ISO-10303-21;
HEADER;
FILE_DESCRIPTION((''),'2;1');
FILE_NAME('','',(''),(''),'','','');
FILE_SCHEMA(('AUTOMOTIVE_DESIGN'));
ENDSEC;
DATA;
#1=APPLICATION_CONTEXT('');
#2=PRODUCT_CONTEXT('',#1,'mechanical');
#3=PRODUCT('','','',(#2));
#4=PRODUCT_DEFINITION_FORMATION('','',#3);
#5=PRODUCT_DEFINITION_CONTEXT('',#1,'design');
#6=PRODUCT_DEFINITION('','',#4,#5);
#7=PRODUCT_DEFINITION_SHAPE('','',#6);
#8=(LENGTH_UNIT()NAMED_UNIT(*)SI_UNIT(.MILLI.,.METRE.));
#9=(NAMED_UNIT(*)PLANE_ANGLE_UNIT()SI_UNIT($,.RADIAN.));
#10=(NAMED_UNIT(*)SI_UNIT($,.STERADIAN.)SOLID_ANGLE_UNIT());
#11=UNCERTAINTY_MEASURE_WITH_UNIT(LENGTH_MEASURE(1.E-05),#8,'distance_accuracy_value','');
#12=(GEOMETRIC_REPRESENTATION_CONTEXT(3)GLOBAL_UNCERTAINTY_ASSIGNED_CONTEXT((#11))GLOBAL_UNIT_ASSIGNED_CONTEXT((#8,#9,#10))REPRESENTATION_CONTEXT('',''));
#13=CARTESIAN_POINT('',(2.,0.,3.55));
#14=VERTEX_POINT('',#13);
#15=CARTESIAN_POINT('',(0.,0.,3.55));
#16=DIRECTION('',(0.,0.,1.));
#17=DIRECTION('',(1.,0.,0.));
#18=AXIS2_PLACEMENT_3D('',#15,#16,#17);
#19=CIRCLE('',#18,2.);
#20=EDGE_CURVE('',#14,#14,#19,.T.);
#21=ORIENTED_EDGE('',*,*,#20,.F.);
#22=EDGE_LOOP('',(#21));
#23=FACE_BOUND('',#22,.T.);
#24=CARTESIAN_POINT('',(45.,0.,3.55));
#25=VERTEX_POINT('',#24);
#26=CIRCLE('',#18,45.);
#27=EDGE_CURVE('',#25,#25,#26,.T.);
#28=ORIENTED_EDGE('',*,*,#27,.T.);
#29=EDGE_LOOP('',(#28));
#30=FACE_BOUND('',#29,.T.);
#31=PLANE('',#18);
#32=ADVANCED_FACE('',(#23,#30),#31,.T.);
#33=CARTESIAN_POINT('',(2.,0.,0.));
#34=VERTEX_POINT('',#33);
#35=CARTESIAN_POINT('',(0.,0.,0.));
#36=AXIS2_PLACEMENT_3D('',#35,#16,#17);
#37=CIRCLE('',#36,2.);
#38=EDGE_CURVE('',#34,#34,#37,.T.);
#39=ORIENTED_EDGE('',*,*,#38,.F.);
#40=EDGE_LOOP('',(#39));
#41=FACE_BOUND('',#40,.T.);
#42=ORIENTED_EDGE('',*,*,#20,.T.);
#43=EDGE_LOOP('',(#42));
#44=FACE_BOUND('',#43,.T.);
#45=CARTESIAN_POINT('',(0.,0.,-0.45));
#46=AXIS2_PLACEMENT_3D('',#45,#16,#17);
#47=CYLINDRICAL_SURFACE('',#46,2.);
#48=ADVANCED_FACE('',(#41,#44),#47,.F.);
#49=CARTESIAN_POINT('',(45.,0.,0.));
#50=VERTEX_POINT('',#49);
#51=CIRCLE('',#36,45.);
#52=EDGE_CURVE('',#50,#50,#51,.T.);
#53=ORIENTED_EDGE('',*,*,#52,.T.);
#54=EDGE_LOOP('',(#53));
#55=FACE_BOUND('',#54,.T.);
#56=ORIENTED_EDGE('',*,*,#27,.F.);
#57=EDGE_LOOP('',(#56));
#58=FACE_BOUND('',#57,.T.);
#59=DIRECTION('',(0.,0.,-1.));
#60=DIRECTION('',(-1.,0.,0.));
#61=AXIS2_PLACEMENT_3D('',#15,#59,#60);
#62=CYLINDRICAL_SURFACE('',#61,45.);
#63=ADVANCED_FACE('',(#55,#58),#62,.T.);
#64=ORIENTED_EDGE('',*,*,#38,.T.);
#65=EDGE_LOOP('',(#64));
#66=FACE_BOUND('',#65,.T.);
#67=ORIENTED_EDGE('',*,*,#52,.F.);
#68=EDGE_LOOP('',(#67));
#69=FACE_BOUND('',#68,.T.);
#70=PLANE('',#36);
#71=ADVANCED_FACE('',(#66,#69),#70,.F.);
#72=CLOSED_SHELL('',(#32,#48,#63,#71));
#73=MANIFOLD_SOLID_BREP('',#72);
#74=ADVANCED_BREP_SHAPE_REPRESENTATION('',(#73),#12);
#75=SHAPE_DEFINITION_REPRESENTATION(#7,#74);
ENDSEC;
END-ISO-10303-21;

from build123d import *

# Parameters (mm, degrees)
SKETCH1_R           = 45
BOSS_EXTRUDE1_DEPTH = 3.55
SKETCH2_R           = 2
CUT_EXTRUDE1_DEPTH  = 4


with BuildPart() as part:
    # Sketch1 → Boss-Extrude1 (new body)
    with BuildSketch(Plane.XY):
        Circle(SKETCH1_R)
    extrude(amount=BOSS_EXTRUDE1_DEPTH)

    # Sketch2 → Cut-Extrude1 (cut)
    with BuildSketch(Plane.XY.offset(3.55)):
        Circle(SKETCH2_R)
    extrude(amount=-CUT_EXTRUDE1_DEPTH, mode=Mode.SUBTRACT)


solid = part.part
